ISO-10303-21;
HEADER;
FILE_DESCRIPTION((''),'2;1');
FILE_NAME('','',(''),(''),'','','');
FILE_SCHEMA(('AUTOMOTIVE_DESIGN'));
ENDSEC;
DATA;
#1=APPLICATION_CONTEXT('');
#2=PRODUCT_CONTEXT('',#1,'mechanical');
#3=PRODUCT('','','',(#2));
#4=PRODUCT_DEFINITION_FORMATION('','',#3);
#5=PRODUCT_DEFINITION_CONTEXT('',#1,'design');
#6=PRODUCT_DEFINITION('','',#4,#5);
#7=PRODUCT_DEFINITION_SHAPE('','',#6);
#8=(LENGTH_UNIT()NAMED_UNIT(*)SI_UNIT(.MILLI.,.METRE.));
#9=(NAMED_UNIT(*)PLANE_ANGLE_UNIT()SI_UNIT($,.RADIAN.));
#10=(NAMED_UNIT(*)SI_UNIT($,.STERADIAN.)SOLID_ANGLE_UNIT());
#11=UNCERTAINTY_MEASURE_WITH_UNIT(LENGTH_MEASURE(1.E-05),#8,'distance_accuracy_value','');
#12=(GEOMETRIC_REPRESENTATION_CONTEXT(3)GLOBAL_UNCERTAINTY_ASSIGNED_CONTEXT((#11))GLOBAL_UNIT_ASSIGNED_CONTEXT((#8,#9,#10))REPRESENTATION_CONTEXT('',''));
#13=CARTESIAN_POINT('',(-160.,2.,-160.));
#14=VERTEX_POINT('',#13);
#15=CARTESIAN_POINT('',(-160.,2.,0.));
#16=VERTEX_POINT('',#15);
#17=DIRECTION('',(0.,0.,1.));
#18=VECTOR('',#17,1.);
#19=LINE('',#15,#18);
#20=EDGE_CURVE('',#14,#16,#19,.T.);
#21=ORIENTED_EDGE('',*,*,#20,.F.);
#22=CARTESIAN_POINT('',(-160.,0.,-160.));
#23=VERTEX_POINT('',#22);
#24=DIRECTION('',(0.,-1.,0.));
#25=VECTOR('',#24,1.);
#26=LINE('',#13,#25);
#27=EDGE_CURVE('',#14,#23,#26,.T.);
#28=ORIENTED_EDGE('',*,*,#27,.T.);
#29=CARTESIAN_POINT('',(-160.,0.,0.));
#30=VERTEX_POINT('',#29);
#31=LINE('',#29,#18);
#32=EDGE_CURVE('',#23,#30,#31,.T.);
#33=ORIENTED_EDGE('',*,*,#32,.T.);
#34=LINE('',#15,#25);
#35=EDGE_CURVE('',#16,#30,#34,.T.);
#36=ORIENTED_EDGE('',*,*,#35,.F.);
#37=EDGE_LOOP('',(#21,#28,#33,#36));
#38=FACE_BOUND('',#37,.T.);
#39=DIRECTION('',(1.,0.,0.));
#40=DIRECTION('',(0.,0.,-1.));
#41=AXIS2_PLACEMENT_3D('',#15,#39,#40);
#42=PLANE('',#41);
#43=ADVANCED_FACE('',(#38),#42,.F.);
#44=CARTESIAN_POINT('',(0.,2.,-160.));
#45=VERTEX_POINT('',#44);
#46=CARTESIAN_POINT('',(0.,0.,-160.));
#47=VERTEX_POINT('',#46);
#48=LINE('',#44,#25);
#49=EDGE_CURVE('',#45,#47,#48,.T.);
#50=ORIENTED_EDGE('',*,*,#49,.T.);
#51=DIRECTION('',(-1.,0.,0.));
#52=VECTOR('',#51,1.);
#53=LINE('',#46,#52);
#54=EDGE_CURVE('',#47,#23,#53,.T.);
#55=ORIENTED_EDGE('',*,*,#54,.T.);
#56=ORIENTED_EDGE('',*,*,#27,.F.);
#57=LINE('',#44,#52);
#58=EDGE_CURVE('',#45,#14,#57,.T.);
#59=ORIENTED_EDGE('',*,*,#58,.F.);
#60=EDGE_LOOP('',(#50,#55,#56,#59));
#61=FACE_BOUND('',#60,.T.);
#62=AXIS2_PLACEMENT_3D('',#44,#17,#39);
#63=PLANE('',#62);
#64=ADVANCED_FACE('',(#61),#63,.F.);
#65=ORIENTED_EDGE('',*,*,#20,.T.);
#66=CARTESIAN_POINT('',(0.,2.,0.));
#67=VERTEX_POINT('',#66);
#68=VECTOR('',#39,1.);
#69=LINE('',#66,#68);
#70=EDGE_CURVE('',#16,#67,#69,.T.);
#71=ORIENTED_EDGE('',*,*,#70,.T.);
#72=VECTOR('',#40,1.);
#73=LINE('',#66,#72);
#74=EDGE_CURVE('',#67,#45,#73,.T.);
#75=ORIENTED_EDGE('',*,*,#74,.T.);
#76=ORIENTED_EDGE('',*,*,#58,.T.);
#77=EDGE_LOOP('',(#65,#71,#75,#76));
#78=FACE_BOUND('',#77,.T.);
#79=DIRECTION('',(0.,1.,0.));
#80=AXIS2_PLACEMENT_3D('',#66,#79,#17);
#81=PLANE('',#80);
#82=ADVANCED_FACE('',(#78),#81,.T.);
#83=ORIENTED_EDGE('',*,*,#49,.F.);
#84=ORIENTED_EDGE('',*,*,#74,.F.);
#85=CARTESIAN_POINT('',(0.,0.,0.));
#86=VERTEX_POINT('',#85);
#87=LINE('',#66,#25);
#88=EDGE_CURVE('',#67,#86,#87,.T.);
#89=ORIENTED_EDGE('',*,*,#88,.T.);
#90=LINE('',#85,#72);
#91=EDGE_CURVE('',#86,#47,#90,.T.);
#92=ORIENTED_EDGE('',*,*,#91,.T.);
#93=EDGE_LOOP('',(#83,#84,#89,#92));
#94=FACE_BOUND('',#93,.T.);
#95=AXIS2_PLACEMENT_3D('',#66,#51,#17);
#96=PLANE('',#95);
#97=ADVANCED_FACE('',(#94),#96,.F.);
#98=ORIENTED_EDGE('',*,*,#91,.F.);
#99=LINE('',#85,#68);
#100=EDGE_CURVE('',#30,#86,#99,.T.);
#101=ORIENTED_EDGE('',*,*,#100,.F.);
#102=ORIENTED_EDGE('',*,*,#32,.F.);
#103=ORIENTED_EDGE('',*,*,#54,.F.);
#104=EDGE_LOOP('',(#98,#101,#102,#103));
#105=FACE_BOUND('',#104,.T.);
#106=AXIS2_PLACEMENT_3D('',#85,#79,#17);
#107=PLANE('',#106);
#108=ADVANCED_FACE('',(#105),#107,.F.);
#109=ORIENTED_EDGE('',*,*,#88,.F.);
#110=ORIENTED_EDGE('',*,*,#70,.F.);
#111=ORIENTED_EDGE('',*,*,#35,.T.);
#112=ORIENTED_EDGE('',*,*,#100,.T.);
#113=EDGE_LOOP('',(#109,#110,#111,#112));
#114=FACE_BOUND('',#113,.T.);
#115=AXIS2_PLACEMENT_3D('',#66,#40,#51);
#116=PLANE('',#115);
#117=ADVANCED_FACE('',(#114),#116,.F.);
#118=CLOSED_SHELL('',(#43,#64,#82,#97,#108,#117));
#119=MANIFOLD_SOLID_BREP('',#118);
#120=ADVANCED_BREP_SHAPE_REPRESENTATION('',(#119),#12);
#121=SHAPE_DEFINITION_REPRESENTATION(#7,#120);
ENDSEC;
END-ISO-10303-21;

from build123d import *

# Parameters (mm, degrees)
SKETCH1_W           = 160
SKETCH1_H           = 160
BOSS_EXTRUDE1_DEPTH = 2


with BuildPart() as part:
    # Sketch1 → Boss-Extrude1 (new body)
    with BuildSketch(Plane(origin=(0, 0, 0), x_dir=(1, 0, 0), z_dir=(0, 1, 0))):
        with Locations((-80, 80)):
            Rectangle(SKETCH1_W, SKETCH1_H)
    extrude(amount=BOSS_EXTRUDE1_DEPTH)


solid = part.part
